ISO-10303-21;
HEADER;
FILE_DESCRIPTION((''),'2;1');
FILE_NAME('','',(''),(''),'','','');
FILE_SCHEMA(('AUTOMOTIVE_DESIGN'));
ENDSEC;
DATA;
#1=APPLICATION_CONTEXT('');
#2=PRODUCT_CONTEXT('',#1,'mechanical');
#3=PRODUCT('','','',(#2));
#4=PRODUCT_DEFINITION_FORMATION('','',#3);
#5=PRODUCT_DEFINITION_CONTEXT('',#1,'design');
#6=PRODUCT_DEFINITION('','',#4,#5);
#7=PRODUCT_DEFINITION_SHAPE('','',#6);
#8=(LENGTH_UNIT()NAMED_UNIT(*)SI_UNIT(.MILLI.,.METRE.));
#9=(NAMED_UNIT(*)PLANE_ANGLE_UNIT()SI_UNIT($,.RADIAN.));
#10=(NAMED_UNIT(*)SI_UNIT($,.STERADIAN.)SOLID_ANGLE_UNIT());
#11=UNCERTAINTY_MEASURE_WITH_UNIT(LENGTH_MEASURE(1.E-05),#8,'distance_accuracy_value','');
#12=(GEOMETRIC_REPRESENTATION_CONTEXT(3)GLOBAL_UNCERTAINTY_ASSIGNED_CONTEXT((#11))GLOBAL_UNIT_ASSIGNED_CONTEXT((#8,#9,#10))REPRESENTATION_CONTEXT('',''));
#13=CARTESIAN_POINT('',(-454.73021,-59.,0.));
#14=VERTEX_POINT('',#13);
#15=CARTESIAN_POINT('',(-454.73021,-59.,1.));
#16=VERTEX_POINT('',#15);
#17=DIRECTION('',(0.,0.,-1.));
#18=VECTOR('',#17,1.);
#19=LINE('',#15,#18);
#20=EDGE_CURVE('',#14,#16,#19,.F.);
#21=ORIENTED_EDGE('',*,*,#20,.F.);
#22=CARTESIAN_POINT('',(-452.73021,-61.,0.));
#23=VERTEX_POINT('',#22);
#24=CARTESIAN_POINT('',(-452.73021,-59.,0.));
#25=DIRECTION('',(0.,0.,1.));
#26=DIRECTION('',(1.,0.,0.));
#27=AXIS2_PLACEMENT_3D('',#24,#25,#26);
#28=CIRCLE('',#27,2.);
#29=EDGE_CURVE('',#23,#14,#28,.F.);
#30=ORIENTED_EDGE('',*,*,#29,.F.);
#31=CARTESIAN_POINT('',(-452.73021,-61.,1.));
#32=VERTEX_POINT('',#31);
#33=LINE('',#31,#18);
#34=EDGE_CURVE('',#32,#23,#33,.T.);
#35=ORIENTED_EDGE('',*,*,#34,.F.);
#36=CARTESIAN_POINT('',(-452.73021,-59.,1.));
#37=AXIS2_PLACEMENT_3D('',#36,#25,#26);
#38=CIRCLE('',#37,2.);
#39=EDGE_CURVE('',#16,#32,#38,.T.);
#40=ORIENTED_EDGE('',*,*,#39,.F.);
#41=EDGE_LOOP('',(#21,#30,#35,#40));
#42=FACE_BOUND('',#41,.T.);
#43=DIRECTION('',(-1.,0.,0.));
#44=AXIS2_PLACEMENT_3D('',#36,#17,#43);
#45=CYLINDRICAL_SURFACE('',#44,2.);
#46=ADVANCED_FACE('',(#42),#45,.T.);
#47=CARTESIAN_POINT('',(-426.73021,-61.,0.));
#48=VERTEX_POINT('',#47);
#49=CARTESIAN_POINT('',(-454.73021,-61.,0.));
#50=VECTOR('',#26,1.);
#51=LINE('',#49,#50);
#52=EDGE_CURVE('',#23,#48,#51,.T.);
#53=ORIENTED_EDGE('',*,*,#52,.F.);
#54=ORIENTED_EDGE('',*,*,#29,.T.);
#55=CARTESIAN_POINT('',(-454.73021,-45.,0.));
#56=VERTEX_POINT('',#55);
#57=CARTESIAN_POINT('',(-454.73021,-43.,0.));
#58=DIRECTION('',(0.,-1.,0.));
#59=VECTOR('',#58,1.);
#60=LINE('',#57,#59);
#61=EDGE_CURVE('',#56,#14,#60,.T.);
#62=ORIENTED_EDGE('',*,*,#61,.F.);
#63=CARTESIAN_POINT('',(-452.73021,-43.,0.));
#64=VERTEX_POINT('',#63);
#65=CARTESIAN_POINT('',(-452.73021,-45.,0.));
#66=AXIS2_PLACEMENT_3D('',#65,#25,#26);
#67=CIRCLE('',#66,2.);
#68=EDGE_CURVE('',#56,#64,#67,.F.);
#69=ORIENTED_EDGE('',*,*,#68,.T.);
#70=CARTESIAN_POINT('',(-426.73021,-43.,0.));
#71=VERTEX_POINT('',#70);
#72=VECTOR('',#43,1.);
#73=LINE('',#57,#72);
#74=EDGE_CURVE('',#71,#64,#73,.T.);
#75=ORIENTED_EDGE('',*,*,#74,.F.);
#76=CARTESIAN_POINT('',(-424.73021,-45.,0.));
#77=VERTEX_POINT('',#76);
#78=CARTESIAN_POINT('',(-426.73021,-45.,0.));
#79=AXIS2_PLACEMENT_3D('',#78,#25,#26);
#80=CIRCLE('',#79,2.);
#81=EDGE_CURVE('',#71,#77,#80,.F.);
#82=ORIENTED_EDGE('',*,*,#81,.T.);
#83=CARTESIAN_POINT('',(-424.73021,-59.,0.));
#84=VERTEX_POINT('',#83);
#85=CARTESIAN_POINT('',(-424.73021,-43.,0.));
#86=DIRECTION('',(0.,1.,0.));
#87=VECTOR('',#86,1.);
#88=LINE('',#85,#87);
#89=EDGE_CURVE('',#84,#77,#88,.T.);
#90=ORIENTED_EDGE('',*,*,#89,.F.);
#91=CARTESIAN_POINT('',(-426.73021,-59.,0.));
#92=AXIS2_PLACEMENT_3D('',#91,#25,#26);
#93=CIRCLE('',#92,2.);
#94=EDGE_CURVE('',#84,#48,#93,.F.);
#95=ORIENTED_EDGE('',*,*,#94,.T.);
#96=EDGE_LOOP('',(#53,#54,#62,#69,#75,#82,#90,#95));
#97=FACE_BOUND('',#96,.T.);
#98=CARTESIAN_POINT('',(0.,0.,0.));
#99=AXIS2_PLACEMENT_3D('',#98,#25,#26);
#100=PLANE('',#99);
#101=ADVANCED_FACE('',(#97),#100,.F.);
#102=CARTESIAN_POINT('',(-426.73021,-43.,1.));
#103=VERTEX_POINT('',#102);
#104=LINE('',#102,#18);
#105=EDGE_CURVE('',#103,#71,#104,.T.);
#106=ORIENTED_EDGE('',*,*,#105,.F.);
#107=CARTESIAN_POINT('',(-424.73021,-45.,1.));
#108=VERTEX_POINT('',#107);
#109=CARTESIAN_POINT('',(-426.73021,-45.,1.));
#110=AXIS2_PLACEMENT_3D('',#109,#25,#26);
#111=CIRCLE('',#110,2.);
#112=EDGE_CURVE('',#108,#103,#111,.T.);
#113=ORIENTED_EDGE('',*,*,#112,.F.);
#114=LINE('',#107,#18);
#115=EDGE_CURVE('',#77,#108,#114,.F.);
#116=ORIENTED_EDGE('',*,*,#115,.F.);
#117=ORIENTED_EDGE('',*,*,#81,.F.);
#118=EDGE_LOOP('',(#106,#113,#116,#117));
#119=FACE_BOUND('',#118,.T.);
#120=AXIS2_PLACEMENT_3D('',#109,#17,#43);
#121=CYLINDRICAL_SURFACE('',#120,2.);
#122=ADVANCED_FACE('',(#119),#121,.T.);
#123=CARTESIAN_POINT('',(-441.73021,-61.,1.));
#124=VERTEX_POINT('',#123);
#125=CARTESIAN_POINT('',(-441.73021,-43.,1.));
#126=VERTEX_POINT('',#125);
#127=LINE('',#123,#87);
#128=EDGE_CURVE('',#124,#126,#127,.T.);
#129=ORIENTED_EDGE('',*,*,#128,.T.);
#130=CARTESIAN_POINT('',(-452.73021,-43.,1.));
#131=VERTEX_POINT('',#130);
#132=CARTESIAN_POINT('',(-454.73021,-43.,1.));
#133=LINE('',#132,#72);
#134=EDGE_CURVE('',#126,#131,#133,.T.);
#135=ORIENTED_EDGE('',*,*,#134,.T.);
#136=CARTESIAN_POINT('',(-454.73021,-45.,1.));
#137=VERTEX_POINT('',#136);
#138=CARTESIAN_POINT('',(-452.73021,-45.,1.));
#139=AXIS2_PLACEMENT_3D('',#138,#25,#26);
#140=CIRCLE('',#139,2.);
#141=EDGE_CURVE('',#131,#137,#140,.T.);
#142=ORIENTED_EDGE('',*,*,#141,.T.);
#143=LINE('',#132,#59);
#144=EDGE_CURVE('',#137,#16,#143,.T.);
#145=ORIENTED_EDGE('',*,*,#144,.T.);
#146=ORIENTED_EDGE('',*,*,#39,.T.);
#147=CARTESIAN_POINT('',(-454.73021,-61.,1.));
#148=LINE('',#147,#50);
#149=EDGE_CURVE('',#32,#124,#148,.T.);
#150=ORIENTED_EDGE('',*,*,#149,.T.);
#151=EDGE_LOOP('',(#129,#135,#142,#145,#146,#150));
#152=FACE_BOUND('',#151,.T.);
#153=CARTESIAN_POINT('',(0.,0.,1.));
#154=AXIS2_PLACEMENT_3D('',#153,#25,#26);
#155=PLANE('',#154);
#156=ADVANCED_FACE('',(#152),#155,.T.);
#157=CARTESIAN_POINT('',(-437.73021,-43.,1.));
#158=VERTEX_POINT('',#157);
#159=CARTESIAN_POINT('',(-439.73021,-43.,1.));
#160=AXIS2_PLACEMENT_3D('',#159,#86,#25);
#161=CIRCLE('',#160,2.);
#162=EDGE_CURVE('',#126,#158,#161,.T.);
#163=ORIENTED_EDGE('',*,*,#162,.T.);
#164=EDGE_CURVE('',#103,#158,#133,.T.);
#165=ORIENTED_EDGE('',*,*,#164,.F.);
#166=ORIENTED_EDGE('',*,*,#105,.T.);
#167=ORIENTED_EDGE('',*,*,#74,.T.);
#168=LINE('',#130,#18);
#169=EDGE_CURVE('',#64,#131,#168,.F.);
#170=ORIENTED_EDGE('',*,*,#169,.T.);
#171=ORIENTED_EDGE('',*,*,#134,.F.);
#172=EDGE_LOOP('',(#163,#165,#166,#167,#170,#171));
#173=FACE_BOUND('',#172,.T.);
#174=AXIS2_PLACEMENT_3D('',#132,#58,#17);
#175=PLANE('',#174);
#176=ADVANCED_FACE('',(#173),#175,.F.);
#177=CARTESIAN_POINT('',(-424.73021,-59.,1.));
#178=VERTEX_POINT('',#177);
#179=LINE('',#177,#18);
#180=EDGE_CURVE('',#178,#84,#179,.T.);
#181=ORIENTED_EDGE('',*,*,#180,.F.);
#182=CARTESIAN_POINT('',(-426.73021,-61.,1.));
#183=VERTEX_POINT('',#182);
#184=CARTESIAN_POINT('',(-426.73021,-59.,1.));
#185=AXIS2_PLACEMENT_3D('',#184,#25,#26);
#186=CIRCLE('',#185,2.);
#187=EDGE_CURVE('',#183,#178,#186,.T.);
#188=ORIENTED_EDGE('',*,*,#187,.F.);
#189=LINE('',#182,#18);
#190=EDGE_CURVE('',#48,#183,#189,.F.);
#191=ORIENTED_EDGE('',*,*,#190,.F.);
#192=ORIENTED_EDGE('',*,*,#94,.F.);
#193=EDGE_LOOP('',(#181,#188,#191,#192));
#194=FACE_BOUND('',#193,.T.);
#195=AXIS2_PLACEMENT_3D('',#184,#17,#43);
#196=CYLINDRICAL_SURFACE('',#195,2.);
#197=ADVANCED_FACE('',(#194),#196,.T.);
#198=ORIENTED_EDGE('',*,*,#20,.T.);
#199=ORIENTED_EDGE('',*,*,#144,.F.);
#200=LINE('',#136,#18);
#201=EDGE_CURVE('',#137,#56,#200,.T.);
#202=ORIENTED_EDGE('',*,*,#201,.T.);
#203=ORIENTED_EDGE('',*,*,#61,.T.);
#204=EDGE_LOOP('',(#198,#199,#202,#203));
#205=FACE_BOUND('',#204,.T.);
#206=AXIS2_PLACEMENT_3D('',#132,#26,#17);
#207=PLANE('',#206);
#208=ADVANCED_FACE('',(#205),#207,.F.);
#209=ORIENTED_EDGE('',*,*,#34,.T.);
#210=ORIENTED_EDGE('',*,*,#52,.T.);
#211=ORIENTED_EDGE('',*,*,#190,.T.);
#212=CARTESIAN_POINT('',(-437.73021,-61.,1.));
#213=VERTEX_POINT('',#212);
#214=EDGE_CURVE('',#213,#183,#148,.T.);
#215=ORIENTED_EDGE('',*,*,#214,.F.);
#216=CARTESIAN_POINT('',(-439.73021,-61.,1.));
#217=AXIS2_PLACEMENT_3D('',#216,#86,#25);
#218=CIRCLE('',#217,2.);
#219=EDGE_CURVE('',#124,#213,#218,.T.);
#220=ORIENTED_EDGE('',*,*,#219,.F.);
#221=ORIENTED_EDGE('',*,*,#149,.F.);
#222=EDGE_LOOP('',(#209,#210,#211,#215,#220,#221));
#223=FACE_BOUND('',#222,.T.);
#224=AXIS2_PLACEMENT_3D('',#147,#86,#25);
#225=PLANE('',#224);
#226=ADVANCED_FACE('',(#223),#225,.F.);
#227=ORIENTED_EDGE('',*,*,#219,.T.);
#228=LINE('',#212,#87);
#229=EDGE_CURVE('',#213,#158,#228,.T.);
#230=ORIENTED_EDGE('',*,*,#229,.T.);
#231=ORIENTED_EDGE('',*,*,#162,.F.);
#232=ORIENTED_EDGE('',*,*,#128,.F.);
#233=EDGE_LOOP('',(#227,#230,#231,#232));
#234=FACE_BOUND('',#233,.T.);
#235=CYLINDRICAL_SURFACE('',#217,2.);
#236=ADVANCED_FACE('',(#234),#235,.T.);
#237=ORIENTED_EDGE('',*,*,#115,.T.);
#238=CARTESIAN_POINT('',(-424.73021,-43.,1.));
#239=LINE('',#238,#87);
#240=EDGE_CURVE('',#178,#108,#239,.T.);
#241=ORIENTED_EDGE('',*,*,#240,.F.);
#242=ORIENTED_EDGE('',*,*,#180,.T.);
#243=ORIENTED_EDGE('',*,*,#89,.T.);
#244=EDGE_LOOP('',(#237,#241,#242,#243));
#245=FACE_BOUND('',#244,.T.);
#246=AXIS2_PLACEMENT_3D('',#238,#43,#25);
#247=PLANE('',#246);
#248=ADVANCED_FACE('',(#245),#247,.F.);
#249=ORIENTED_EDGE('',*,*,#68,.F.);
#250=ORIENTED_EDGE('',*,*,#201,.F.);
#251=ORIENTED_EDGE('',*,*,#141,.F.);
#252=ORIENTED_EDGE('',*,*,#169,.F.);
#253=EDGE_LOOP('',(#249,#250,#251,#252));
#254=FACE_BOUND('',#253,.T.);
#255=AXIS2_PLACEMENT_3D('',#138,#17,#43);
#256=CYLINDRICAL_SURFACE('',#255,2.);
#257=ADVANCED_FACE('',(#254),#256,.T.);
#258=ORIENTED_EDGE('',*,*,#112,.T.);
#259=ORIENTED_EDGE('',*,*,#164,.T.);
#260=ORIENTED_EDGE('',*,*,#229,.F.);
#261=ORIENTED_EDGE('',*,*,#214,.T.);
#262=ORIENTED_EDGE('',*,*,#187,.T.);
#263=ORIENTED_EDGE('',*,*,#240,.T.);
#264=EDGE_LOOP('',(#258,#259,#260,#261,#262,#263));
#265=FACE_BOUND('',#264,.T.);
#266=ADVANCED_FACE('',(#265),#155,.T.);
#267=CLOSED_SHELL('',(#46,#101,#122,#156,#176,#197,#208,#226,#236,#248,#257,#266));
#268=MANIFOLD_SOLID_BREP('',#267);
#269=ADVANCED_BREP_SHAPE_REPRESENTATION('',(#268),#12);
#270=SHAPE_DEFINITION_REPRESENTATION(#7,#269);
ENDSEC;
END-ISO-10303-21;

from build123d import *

# Parameters (mm, degrees)
SKETCH1_W           = 30
SKETCH1_H           = 18
BOSS_EXTRUDE1_DEPTH = 1
BOSS_EXTRUDE2_DEPTH = 18
FILLET1_R           = 2


with BuildPart() as part:
    # Sketch1 → Boss-Extrude1 (new body)
    with BuildSketch(Plane.XY):
        with Locations((-439.730210405, -52)):
            Rectangle(SKETCH1_W, SKETCH1_H)
    extrude(amount=BOSS_EXTRUDE1_DEPTH)

    # Sketch2 → Boss-Extrude2 (add)
    with BuildSketch(Plane(origin=(0, -43, 0), x_dir=(1, 0, 0), z_dir=(0, 1, 0))):
        with BuildLine():
            Line((-437.730210405, -1), (-441.730210405, -1))
            ThreePointArc((-441.730210405, -1), (-439.730210405, -3), (-437.730210405, -1))
        make_face()
    extrude(amount=-BOSS_EXTRUDE2_DEPTH)

    # Fillet1
    fillet1_edges = [part.edges().sort_by_distance(p)[0] for p in [
        (-454.730210405, -43, 0.5),
        (-424.730210405, -43, 0.5),
        (-454.730210405, -61, 0.5),
        (-424.730210405, -61, 0.5),
    ]]
    fillet(fillet1_edges, radius=FILLET1_R)


solid = part.part
